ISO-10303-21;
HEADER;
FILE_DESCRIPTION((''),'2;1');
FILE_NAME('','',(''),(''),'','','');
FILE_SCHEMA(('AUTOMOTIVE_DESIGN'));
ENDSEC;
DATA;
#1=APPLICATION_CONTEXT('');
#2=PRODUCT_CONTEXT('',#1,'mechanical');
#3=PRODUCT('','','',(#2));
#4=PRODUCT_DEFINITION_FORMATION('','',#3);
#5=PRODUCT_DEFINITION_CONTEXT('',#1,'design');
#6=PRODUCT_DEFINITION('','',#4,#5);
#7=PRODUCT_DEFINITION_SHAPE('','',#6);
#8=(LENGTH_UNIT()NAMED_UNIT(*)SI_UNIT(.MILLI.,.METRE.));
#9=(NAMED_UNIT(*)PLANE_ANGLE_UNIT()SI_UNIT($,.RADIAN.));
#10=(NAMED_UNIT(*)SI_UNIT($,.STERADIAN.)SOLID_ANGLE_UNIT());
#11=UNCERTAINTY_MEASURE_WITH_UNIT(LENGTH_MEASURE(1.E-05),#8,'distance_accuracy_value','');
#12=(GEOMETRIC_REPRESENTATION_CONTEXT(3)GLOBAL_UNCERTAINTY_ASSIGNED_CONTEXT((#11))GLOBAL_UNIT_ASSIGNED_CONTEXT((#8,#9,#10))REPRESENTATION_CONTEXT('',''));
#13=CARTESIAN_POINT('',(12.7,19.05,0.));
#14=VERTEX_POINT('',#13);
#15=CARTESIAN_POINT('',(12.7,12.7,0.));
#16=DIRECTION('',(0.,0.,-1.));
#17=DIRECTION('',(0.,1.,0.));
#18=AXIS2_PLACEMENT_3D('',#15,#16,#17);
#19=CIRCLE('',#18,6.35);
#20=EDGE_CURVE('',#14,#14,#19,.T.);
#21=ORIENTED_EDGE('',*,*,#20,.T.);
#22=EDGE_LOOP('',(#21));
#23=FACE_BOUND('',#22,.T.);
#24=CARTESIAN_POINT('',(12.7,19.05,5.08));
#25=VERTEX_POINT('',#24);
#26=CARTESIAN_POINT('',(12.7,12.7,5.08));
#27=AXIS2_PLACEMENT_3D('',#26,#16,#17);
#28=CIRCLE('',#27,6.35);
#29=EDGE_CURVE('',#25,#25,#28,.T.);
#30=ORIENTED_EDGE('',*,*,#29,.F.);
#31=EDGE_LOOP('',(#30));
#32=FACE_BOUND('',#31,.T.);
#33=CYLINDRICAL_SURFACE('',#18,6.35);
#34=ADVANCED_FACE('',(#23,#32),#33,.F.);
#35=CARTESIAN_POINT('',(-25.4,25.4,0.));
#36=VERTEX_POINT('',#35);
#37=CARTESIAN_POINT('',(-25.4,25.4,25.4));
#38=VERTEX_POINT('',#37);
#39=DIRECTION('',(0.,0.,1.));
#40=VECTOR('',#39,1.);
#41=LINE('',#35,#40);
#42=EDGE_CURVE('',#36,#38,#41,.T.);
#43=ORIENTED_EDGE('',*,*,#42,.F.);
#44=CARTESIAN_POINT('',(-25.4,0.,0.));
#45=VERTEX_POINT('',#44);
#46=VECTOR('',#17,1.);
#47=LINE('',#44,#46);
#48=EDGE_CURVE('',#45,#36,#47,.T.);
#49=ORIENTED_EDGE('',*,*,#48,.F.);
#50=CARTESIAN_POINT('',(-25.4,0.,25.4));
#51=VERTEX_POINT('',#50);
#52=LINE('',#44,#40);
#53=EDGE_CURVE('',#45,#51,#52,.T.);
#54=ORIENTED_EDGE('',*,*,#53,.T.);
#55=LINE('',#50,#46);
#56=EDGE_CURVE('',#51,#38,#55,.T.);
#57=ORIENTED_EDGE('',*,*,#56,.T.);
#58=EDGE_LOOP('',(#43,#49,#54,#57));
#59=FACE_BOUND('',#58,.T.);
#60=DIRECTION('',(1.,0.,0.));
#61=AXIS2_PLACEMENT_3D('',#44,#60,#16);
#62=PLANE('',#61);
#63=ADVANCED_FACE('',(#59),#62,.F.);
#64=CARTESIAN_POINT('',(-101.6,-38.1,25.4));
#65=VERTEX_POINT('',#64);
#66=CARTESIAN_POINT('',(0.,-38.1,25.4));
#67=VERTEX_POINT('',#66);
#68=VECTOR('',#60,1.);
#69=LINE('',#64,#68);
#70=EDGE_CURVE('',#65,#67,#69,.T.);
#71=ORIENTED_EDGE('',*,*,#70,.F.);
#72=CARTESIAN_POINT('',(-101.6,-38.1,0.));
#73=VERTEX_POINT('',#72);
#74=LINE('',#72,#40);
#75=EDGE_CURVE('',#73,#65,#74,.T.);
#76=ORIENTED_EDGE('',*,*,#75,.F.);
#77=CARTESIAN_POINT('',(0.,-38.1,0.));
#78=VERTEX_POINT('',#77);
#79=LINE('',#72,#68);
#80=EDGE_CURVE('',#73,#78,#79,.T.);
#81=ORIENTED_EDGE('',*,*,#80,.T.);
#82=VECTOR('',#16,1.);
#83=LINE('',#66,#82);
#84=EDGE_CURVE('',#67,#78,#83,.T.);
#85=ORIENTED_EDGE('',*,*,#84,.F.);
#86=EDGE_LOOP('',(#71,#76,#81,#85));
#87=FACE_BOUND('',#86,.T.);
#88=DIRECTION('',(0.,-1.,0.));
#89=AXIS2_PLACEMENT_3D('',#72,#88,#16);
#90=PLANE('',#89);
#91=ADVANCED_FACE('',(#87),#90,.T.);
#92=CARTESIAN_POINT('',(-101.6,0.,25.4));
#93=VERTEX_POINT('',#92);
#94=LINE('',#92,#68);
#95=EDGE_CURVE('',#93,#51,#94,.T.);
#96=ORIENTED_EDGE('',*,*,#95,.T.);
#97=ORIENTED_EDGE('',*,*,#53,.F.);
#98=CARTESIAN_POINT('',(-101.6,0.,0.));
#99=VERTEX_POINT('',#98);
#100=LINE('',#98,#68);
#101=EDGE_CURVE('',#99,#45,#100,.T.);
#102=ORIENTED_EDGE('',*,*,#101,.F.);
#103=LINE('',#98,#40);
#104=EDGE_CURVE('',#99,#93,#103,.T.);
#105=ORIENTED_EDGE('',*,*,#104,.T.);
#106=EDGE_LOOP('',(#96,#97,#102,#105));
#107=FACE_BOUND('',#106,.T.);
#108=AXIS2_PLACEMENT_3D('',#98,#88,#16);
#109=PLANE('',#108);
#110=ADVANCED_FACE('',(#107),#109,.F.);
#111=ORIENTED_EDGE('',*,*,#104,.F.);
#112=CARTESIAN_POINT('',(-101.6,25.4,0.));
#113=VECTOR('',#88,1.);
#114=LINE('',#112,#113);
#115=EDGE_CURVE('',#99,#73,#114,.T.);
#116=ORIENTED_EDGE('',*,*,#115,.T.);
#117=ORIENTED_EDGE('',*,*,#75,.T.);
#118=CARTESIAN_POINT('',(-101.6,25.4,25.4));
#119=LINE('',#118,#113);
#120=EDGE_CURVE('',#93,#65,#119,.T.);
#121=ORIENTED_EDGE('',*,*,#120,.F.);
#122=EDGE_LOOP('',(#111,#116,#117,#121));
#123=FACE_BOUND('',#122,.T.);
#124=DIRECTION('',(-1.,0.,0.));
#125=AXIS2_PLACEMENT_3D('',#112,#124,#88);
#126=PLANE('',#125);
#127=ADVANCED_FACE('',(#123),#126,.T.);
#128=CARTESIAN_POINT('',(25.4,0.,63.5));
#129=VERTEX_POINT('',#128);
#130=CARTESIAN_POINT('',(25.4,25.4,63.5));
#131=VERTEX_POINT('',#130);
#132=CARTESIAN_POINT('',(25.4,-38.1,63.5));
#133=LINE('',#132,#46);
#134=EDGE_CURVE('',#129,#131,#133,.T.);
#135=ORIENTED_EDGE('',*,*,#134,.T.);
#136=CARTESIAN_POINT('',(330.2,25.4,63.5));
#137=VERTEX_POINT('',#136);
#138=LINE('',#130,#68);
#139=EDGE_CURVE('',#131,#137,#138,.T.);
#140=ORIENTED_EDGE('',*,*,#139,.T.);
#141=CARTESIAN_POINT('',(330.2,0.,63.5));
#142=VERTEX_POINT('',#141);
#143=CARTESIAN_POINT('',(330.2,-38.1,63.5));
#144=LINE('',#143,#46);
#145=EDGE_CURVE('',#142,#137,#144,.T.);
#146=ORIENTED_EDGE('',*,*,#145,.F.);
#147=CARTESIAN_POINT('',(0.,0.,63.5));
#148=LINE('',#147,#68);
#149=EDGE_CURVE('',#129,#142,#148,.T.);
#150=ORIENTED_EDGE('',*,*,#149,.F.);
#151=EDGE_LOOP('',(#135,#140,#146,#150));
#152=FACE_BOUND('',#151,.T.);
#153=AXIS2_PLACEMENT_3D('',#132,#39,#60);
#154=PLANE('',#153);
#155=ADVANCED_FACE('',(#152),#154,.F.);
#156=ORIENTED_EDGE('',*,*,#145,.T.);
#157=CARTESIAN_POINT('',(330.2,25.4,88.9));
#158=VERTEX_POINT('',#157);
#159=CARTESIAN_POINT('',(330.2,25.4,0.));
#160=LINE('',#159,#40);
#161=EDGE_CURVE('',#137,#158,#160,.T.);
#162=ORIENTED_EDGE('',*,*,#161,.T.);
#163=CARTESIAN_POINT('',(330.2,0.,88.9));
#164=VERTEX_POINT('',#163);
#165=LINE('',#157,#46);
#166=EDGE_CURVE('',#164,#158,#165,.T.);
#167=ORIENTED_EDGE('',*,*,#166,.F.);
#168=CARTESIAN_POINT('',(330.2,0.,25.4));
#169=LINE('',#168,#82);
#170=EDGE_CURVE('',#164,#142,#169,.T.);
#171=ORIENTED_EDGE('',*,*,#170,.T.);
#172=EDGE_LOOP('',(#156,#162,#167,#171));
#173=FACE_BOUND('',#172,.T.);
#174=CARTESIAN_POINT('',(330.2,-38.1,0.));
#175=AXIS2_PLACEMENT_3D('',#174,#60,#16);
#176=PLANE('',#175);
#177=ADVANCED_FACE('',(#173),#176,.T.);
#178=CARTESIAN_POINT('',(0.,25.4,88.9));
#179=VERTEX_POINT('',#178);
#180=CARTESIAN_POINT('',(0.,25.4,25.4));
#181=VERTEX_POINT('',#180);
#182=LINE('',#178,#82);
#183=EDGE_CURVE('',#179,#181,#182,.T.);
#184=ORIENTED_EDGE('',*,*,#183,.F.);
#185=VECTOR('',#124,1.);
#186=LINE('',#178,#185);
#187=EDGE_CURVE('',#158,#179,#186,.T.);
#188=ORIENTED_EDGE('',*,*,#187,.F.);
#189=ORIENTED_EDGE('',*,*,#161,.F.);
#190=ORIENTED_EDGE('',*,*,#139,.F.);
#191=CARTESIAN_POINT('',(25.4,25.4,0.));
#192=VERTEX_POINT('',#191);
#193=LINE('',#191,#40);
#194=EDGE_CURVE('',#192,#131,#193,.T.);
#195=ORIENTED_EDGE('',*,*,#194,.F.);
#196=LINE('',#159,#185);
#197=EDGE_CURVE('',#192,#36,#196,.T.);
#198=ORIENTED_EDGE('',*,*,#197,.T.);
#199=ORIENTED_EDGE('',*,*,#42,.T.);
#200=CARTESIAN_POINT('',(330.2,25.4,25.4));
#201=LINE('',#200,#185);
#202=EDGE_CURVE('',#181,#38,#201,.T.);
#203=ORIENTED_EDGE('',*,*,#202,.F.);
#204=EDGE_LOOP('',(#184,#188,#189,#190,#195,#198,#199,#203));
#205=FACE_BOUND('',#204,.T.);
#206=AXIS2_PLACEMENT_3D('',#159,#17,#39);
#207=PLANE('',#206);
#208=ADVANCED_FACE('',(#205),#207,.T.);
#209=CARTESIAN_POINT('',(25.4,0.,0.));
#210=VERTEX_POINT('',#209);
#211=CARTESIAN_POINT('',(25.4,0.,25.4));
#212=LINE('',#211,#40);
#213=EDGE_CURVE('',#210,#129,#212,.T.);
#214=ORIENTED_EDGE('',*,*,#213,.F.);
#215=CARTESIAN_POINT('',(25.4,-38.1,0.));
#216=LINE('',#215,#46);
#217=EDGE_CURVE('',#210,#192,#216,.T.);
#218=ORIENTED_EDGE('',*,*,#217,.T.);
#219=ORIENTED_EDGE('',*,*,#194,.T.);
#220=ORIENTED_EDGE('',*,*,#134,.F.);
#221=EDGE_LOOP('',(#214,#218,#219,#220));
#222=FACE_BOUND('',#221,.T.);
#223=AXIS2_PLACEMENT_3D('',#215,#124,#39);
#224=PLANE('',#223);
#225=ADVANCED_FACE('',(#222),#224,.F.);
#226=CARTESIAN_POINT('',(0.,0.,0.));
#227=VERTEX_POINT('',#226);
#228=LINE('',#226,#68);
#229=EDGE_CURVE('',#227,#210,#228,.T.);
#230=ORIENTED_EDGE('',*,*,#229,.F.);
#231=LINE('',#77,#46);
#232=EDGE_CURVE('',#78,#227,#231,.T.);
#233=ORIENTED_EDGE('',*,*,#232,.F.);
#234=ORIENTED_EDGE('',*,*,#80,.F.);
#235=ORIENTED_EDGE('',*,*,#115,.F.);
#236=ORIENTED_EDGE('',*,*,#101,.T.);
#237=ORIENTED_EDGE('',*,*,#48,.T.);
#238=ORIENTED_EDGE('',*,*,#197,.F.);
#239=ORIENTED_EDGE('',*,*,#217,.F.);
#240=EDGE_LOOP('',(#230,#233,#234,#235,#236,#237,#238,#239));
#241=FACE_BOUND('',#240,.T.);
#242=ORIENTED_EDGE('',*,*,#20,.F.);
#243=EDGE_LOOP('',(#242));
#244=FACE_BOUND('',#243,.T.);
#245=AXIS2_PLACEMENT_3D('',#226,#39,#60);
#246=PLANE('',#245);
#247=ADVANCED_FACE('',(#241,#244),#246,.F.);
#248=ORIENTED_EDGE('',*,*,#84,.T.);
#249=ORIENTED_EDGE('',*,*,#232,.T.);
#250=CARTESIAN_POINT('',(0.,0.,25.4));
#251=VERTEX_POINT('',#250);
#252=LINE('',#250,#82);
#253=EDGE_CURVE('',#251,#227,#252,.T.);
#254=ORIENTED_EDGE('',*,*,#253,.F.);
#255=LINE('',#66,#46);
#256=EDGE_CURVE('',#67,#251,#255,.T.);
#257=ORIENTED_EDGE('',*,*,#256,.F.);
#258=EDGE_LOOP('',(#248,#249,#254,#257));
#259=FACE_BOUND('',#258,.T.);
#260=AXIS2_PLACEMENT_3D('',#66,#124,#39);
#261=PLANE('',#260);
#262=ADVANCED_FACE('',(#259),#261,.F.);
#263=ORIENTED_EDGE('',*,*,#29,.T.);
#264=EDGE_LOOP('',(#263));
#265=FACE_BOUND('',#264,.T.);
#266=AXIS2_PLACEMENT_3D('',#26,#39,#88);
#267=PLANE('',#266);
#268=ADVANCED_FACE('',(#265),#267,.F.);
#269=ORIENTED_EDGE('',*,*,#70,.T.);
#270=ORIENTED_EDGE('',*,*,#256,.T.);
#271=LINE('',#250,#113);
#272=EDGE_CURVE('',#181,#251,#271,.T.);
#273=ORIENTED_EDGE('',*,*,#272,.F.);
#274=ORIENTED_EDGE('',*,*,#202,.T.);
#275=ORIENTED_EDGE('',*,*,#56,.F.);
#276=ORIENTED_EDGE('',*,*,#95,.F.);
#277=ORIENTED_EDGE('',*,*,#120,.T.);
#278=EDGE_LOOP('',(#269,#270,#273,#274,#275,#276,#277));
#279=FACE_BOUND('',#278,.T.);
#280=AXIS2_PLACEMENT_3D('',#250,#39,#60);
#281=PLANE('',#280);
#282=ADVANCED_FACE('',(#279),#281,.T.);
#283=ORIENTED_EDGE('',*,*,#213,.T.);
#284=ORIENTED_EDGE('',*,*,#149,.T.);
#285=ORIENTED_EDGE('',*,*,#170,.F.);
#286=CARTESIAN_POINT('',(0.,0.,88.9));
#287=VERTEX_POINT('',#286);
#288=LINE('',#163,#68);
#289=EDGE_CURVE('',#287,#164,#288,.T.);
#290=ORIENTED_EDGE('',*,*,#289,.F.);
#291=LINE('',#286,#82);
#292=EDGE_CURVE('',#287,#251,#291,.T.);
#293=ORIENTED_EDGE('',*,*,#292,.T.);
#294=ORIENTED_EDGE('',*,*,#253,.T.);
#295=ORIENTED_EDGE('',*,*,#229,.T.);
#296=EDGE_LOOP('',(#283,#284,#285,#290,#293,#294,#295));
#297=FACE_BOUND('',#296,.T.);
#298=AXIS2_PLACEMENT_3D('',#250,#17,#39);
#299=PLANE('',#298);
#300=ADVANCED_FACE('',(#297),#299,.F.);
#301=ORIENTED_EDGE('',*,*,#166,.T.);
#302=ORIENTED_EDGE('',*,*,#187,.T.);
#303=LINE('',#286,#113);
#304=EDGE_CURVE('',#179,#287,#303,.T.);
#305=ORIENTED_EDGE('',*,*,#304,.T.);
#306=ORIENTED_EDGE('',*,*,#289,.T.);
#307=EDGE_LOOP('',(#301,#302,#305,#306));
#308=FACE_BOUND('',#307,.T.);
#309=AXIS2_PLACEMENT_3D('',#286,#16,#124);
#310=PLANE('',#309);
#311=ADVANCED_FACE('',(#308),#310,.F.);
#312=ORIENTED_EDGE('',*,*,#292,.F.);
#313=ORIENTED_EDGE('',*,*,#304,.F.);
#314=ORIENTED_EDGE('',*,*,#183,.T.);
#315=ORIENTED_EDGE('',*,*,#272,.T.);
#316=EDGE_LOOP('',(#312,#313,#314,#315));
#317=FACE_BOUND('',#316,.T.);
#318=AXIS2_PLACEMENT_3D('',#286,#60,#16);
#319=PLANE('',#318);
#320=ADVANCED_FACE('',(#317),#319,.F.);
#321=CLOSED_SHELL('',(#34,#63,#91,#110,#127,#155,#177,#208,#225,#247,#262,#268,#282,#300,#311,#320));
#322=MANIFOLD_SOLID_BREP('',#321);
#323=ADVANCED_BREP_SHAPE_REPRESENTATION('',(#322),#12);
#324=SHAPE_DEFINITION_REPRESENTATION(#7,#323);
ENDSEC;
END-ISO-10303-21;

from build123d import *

# Parameters (mm, degrees)
SKETCH1_W           = 431.8
SKETCH1_H           = 63.5
BOSS_EXTRUDE1_DEPTH = 25.4
SKETCH2_W           = 330.2
SKETCH2_H           = 38.1
CUT_EXTRUDE1_DEPTH  = 334.35988061
SKETCH3_W           = 330.2
SKETCH3_H           = 25.4
BOSS_EXTRUDE2_DEPTH = 63.5
SKETCH4_W           = 76.2
SKETCH4_H           = 25.4
CUT_EXTRUDE2_DEPTH  = 339.4019799
SKETCH5_W           = 304.8
SKETCH5_H           = 63.5
CUT_EXTRUDE3_DEPTH  = 348.803824016
HOLE1_D             = 12.7
HOLE1_DEPTH         = 5.08


with BuildPart() as part:
    # Sketch1 → Boss-Extrude1 (new body)
    with BuildSketch(Plane.XY.offset(25.4)):
        with Locations((114.3, -6.35)):
            Rectangle(SKETCH1_W, SKETCH1_H)
    extrude(amount=-BOSS_EXTRUDE1_DEPTH)

    # Sketch2 → Cut-Extrude1 (cut, through all)
    with BuildSketch(Plane(origin=(0, 0, 0), x_dir=(-1, 0, 0), z_dir=(0, 0, -1))):
        with Locations((-165.1, -19.05)):
            Rectangle(SKETCH2_W, SKETCH2_H)
    extrude(amount=-CUT_EXTRUDE1_DEPTH, mode=Mode.SUBTRACT)

    # Sketch3 → Boss-Extrude2 (add)
    with BuildSketch(Plane.XY.offset(25.4)):
        with Locations((165.1, 12.7)):
            Rectangle(SKETCH3_W, SKETCH3_H)
    extrude(amount=BOSS_EXTRUDE2_DEPTH)

    # Sketch4 → Cut-Extrude2 (cut, through all)
    with BuildSketch(Plane.XY.offset(25.4)):
        with Locations((-63.5, 12.7)):
            Rectangle(SKETCH4_W, SKETCH4_H)
    extrude(amount=-CUT_EXTRUDE2_DEPTH, mode=Mode.SUBTRACT)

    # Sketch5 → Cut-Extrude3 (cut, through all)
    with BuildSketch(Plane(origin=(0, 25.4, 0), x_dir=(-1, 0, 0), z_dir=(0, 1, 0))):
        with Locations((-177.8, 31.75)):
            Rectangle(SKETCH5_W, SKETCH5_H)
    extrude(amount=-CUT_EXTRUDE3_DEPTH, mode=Mode.SUBTRACT)

    # Hole1
    with Locations(Plane(origin=(0, 0, 0), x_dir=(-1, 0, 0), z_dir=(0, 0, -1))):
        with Locations((-12.7, 12.7)):
            Hole(HOLE1_D / 2, depth=HOLE1_DEPTH)


solid = part.part
